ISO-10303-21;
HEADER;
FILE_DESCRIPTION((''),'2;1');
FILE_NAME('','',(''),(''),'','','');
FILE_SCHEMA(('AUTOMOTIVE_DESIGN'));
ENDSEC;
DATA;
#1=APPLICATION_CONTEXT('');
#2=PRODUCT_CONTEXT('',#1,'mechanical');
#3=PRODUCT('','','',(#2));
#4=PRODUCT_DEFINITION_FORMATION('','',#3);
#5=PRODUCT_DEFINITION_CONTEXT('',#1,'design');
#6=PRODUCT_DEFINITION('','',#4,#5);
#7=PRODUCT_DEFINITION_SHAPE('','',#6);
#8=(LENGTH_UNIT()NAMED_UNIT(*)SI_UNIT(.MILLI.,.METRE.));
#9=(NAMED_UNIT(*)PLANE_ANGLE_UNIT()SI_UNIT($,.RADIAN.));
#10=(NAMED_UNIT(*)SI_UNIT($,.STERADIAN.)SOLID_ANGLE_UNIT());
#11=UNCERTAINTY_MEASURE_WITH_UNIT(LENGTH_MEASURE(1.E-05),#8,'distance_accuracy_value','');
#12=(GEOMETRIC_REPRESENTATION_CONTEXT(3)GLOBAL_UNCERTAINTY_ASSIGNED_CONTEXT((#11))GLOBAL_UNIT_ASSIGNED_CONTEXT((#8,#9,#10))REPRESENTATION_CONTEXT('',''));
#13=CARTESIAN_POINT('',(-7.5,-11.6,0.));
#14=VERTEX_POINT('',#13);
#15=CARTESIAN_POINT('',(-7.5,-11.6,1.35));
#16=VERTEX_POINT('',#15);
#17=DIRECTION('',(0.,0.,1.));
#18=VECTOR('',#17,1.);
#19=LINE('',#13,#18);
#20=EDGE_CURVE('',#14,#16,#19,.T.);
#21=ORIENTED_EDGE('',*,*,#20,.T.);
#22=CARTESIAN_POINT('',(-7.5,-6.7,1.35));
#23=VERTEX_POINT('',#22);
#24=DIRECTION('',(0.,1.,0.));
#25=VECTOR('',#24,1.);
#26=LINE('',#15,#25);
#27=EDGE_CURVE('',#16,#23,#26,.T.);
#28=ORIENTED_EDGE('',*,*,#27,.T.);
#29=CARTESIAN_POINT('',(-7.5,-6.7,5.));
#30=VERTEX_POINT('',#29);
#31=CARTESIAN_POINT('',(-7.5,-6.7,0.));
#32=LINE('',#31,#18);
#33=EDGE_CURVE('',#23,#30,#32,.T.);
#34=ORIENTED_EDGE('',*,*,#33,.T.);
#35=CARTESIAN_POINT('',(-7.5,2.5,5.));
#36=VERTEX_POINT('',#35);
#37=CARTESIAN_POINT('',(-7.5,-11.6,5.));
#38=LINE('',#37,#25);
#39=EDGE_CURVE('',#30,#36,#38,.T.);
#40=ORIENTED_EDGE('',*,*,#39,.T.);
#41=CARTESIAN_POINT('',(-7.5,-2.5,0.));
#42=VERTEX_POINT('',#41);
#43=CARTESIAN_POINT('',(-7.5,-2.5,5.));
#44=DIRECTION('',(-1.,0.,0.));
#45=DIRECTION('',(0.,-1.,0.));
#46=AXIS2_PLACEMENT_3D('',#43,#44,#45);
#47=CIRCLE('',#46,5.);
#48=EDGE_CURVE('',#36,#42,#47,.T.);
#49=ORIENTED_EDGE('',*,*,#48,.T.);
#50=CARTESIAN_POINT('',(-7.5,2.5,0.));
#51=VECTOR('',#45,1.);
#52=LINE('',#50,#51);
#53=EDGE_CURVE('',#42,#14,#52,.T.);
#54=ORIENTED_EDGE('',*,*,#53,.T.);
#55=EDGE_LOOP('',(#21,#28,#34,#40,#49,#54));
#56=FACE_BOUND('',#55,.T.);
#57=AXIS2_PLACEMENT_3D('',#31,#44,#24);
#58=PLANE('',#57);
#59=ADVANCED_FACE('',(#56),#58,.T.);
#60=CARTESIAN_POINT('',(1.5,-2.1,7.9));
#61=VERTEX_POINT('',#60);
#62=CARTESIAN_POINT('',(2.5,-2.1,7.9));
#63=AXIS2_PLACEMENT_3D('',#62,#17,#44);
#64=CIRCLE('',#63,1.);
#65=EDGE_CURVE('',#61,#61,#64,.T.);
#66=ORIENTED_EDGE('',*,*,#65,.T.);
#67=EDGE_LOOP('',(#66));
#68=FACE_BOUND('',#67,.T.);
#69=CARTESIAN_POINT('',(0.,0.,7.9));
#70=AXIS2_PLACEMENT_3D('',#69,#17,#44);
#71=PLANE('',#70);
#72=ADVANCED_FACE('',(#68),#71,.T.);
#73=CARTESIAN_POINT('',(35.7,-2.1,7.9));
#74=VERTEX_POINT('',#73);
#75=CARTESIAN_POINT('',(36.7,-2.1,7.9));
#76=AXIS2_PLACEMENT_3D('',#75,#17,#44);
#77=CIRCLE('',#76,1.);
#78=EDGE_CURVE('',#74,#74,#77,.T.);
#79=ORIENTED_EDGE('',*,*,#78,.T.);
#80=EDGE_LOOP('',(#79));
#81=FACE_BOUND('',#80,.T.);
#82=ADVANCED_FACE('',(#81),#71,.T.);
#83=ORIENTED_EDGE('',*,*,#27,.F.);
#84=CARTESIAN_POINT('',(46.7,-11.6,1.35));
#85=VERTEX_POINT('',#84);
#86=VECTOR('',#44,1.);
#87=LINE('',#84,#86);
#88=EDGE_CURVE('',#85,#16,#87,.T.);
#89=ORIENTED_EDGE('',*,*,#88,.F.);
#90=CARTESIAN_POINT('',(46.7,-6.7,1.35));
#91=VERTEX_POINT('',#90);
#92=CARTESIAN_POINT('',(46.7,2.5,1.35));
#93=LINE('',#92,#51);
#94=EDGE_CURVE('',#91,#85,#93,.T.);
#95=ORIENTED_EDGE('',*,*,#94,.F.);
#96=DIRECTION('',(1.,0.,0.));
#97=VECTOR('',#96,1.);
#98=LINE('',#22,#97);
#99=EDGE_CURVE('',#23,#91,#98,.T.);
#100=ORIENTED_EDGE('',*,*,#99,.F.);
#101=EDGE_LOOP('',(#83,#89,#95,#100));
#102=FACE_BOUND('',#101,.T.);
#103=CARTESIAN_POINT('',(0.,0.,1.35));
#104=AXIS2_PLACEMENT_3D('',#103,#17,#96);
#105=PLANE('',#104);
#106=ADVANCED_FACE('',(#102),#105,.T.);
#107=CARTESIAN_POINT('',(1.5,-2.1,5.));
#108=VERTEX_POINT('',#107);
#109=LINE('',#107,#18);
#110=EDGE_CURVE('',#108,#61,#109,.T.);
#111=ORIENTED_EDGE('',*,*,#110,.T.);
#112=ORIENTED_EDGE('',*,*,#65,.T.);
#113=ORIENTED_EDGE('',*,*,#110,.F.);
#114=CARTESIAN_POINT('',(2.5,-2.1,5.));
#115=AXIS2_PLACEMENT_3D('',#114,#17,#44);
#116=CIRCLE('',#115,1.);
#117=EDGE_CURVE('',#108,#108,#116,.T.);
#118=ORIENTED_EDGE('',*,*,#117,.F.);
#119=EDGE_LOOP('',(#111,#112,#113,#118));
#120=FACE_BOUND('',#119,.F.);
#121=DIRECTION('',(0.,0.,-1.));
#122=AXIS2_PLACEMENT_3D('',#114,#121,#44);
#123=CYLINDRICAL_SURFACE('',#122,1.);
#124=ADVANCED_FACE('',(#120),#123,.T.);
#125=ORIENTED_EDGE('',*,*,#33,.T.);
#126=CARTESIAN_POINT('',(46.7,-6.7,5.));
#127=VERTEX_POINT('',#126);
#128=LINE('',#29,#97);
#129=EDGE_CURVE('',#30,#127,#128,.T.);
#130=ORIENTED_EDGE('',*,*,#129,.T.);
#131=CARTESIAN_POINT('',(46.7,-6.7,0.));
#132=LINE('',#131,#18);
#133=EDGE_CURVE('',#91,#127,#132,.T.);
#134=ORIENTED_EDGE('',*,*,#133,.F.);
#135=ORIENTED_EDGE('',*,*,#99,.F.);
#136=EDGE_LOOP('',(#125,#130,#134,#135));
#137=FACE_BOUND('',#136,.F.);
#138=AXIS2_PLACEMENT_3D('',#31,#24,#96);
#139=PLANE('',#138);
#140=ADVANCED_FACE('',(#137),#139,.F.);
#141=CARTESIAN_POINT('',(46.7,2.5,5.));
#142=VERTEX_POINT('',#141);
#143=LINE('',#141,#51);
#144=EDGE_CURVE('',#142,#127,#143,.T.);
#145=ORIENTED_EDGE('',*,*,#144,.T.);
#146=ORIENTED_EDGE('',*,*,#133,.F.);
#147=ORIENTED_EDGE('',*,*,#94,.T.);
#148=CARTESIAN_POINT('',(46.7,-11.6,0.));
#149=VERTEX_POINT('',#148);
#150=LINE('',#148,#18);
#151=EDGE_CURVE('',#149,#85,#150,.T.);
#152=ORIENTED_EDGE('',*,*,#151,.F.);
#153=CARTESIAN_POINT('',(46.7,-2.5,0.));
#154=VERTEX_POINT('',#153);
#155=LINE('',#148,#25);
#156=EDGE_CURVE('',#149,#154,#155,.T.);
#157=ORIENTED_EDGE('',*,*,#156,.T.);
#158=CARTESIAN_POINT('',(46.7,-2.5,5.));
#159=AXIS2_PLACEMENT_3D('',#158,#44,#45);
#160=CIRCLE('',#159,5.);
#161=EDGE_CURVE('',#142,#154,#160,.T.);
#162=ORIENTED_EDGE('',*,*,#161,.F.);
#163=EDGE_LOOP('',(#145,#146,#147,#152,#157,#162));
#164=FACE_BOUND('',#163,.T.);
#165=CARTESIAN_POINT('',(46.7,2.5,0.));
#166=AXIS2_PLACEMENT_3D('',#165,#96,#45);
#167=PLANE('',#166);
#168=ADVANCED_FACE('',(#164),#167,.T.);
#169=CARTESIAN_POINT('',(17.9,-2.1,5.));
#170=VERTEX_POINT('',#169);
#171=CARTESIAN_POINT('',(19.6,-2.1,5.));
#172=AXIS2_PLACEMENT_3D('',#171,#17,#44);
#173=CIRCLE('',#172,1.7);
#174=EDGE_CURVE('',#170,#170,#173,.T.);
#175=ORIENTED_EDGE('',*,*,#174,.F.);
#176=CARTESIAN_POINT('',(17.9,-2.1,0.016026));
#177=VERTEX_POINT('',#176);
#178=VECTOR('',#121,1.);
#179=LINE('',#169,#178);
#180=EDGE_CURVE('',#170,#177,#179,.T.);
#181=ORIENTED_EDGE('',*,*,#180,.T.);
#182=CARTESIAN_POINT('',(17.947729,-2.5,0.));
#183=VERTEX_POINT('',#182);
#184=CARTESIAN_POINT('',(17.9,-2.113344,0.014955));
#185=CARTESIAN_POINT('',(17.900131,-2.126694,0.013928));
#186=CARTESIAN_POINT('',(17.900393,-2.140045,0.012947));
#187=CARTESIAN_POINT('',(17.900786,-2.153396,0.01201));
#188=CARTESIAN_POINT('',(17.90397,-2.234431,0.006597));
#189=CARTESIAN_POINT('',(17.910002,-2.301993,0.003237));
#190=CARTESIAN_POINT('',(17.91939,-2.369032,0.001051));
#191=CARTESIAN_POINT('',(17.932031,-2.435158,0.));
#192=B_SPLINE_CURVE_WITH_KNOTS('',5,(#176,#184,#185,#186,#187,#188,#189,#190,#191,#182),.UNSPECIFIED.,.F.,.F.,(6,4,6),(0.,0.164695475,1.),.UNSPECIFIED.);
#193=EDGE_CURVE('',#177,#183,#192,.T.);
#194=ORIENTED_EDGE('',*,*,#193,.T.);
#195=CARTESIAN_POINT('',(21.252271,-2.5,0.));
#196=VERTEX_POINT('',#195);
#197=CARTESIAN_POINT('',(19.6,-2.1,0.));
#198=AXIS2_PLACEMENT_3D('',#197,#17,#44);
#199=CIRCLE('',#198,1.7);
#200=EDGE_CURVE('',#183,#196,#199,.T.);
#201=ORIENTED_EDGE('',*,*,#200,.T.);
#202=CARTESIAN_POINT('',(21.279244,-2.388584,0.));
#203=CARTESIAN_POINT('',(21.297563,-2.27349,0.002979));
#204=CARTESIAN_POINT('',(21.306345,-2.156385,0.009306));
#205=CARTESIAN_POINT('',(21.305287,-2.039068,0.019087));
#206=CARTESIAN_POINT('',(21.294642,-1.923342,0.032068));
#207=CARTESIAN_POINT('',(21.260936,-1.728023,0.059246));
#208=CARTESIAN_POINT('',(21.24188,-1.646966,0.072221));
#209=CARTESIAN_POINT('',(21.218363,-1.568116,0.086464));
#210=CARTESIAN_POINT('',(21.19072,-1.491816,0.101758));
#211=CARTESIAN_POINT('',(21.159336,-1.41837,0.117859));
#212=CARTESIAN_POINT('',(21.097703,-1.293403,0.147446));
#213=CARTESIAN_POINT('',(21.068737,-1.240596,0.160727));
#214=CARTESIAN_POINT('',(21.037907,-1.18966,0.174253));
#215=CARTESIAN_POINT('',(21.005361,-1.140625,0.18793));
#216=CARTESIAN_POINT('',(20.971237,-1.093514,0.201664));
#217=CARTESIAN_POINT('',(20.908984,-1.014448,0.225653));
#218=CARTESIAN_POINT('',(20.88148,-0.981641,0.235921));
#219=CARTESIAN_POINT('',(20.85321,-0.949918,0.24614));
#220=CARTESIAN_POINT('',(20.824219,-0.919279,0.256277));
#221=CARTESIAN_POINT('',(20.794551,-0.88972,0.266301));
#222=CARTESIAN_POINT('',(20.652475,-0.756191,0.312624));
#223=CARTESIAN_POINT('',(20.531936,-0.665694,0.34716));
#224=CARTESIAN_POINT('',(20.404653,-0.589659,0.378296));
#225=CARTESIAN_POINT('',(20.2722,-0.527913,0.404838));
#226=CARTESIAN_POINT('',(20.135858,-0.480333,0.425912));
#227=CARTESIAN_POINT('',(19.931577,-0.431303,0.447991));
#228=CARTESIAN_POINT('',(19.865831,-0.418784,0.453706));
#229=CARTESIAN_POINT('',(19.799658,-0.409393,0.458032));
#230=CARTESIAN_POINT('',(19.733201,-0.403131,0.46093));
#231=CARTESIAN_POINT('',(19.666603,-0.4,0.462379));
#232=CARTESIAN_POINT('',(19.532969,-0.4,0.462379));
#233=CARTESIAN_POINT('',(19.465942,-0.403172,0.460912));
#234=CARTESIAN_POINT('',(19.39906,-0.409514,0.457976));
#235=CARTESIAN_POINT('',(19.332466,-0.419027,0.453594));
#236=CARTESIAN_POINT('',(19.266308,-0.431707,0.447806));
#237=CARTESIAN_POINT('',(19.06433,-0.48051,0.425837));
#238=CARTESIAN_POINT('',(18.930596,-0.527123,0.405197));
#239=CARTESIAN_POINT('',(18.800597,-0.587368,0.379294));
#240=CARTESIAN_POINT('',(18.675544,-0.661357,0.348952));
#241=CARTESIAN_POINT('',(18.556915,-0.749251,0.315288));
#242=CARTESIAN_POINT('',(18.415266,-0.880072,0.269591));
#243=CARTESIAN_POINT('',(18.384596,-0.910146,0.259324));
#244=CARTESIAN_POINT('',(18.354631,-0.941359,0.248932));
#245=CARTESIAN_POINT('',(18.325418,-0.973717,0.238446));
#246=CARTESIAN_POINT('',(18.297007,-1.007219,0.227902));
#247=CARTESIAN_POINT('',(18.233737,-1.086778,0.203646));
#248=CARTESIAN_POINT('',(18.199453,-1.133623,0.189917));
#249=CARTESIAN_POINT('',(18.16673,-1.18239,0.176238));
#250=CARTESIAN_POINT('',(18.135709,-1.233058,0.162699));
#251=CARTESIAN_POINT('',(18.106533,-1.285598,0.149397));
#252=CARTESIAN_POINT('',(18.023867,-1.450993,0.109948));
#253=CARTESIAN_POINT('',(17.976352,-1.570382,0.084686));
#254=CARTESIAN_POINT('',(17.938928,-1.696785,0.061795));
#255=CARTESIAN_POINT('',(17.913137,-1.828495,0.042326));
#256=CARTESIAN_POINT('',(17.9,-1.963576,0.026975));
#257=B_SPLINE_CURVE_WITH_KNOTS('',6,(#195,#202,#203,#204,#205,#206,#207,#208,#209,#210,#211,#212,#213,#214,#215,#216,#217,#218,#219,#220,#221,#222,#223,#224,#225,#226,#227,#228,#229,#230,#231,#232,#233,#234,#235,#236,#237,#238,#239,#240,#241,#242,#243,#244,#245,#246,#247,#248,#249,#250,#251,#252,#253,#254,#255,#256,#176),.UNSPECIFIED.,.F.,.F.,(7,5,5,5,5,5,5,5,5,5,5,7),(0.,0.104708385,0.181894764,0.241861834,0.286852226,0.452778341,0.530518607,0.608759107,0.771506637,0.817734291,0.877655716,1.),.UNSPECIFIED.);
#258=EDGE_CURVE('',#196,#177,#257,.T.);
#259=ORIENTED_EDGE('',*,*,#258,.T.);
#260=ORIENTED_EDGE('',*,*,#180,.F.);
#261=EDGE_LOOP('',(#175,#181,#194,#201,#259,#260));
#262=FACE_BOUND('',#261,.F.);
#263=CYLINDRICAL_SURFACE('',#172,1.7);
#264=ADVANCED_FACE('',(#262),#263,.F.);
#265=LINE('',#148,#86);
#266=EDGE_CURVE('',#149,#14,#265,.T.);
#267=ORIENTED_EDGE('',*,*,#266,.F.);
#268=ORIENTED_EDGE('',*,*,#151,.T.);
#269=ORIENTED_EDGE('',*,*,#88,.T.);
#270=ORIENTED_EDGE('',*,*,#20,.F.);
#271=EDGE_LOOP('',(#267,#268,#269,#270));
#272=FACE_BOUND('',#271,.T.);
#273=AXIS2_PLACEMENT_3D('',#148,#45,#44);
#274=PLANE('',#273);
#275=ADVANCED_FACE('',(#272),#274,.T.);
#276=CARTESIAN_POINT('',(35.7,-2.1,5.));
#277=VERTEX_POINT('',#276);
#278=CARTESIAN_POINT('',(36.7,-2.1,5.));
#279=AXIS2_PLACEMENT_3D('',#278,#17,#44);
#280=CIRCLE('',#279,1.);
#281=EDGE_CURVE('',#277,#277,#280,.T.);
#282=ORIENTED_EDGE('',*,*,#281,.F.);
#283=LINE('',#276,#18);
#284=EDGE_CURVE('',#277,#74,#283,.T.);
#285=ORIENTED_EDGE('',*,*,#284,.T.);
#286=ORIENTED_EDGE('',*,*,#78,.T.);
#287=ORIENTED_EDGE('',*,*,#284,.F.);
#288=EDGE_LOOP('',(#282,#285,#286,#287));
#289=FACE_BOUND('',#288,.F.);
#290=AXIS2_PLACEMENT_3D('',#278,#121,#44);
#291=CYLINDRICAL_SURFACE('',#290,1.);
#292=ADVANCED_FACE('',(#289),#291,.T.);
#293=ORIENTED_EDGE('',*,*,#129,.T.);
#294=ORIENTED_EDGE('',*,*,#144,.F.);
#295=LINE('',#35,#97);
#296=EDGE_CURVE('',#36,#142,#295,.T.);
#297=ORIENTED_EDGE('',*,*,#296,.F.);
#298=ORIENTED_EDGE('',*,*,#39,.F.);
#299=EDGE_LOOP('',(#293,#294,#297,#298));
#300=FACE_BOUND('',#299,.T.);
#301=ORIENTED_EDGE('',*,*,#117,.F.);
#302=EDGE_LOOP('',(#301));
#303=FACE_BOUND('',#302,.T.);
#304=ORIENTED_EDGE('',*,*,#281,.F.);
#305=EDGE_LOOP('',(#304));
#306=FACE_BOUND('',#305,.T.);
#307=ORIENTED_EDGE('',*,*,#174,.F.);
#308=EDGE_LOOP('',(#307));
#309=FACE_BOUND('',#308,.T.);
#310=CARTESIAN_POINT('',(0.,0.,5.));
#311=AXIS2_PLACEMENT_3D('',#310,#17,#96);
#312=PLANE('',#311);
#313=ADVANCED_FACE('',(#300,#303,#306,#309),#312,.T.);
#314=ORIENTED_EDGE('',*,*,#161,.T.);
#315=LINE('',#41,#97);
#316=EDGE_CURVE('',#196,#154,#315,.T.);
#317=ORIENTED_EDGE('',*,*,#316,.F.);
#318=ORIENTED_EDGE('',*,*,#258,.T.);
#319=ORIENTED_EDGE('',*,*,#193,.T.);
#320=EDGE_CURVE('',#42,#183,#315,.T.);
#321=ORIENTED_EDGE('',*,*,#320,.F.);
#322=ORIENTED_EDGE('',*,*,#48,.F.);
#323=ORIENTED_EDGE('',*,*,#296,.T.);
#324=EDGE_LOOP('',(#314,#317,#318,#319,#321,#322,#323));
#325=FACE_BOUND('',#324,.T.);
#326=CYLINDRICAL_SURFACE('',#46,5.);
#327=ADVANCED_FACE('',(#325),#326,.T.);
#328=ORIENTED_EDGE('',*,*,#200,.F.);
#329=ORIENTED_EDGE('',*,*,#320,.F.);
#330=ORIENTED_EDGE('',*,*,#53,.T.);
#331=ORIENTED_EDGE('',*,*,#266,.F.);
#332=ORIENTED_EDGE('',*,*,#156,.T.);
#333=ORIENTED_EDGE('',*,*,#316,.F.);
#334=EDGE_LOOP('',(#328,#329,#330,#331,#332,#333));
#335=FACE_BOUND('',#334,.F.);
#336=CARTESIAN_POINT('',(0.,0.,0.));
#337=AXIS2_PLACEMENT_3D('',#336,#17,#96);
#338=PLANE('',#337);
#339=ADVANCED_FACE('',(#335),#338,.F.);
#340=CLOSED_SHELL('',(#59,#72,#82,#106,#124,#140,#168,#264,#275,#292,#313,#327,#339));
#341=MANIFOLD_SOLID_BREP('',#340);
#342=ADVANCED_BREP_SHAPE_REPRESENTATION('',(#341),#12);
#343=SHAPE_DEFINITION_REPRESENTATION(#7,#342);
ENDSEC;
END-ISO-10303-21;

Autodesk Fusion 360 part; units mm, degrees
sketch "Sketch1" plane through (0, 0, 0) normal (0, 0, 1) x (1, 0, 0)
  line L0 (-7.5, 2.5) -> (46.7, 2.5)
  line L1 (46.7, 2.5) -> (46.7, -11.6)
  line L2 (46.7, -11.6) -> (-7.5, -11.6)
  line L3 (-7.5, -11.6) -> (-7.5, 2.5)
  line L4 (46.7, -11.6) -> (-7.5, -11.6)
  line L5 (-7.5, -11.6) -> (-7.5, -6.7)
  line L6 (-7.5, -6.7) -> (46.7, -6.7)
  line L7 (46.7, -6.7) -> (46.7, -11.6)
  dimension "d1" = 54.2
  dimension "d2" = 14.1
  dimension "d3" = 4.9
extrude "Extrude1" add sketch "Sketch1" along normal blind 5 contours L0 L1 L3 L6
extrude "Extrude2" add sketch "Sketch1" along normal blind 1.35 contours L1 L2 L3 L4 L5 L6 L7
sketch "Sketch2" plane through (0, 0, 5) normal (0, 0, 1) x (-1, 0, 0)
  line L0 (7.5, -2.5) -> (7.5, 6.7)
  line L1 (7.5, 6.7) -> (-46.7, 6.7)
  line L2 (-46.7, 6.7) -> (-46.7, -2.5)
  line L3 (-46.7, -2.5) -> (7.5, -2.5)
  line L4 (-19.6, -2.5) -> (-46.7, -2.5)
  line L5 (-46.7, -2.5) -> (-46.7, 6.7)
  line L6 (-46.7, 6.7) -> (-19.6, 6.7)
  line L7 (-46.7, 2.1) -> (-46.7, 6.7)
  line L8 (-46.7, 6.7) -> (7.5, 6.7)
  line L9 (7.5, 6.7) -> (7.5, 2.1)
  circle A0 centre (-19.6, 2.1) radius 1.7
  line L10 (-36.7, 6.7) -> (-46.7, 6.7)
  line L11 (-46.7, 6.7) -> (-46.7, 2.1)
  line L12 (-2.5, 6.7) -> (7.5, 6.7)
  line L13 (7.5, 6.7) -> (7.5, 2.1)
  circle A1 centre (-2.5, 2.1) radius 1
  circle A2 centre (-36.7, 2.1) radius 1
  dimension "d8" = 3.4
  dimension "d9" = 10
  dimension "d10" = 10
  dimension "d11" = 2
  dimension "d12" = 2
extrude "Extrude3" cut sketch "Sketch2" against normal blind 18 contours A0
extrude "Extrude4" add sketch "Sketch2" along normal blind 2.9 contours A1 | A2
sketch "Sketch3" plane through (-7.5, 0, 0) normal (-1, 0, 0) x (0, -1, 0)
  line L0 (-2.5, 0) -> (11.6, 0)
  line L1 (11.6, 0) -> (11.6, 1.35)
  line L2 (11.6, 1.35) -> (6.7, 1.35)
  line L3 (6.7, 1.35) -> (6.7, 5)
  line L4 (6.7, 5) -> (-2.5, 5)
  line L5 (-2.5, 5) -> (-2.5, 0)
  line L6 (-2.5, 5) -> (2.5, 5)
  line L7 (2.5, 5) -> (2.5, 0)
  line L8 (2.5, 0) -> (-2.5, 0)
  line L9 (-2.5, 0) -> (-2.5, 5)
  circle A0 centre (2.5, 5) radius 5
  dimension "d17" = 5
extrude "Extrude5" cut sketch "Sketch3" against normal blind 63 contours L0 L5 L8 L9 A0
